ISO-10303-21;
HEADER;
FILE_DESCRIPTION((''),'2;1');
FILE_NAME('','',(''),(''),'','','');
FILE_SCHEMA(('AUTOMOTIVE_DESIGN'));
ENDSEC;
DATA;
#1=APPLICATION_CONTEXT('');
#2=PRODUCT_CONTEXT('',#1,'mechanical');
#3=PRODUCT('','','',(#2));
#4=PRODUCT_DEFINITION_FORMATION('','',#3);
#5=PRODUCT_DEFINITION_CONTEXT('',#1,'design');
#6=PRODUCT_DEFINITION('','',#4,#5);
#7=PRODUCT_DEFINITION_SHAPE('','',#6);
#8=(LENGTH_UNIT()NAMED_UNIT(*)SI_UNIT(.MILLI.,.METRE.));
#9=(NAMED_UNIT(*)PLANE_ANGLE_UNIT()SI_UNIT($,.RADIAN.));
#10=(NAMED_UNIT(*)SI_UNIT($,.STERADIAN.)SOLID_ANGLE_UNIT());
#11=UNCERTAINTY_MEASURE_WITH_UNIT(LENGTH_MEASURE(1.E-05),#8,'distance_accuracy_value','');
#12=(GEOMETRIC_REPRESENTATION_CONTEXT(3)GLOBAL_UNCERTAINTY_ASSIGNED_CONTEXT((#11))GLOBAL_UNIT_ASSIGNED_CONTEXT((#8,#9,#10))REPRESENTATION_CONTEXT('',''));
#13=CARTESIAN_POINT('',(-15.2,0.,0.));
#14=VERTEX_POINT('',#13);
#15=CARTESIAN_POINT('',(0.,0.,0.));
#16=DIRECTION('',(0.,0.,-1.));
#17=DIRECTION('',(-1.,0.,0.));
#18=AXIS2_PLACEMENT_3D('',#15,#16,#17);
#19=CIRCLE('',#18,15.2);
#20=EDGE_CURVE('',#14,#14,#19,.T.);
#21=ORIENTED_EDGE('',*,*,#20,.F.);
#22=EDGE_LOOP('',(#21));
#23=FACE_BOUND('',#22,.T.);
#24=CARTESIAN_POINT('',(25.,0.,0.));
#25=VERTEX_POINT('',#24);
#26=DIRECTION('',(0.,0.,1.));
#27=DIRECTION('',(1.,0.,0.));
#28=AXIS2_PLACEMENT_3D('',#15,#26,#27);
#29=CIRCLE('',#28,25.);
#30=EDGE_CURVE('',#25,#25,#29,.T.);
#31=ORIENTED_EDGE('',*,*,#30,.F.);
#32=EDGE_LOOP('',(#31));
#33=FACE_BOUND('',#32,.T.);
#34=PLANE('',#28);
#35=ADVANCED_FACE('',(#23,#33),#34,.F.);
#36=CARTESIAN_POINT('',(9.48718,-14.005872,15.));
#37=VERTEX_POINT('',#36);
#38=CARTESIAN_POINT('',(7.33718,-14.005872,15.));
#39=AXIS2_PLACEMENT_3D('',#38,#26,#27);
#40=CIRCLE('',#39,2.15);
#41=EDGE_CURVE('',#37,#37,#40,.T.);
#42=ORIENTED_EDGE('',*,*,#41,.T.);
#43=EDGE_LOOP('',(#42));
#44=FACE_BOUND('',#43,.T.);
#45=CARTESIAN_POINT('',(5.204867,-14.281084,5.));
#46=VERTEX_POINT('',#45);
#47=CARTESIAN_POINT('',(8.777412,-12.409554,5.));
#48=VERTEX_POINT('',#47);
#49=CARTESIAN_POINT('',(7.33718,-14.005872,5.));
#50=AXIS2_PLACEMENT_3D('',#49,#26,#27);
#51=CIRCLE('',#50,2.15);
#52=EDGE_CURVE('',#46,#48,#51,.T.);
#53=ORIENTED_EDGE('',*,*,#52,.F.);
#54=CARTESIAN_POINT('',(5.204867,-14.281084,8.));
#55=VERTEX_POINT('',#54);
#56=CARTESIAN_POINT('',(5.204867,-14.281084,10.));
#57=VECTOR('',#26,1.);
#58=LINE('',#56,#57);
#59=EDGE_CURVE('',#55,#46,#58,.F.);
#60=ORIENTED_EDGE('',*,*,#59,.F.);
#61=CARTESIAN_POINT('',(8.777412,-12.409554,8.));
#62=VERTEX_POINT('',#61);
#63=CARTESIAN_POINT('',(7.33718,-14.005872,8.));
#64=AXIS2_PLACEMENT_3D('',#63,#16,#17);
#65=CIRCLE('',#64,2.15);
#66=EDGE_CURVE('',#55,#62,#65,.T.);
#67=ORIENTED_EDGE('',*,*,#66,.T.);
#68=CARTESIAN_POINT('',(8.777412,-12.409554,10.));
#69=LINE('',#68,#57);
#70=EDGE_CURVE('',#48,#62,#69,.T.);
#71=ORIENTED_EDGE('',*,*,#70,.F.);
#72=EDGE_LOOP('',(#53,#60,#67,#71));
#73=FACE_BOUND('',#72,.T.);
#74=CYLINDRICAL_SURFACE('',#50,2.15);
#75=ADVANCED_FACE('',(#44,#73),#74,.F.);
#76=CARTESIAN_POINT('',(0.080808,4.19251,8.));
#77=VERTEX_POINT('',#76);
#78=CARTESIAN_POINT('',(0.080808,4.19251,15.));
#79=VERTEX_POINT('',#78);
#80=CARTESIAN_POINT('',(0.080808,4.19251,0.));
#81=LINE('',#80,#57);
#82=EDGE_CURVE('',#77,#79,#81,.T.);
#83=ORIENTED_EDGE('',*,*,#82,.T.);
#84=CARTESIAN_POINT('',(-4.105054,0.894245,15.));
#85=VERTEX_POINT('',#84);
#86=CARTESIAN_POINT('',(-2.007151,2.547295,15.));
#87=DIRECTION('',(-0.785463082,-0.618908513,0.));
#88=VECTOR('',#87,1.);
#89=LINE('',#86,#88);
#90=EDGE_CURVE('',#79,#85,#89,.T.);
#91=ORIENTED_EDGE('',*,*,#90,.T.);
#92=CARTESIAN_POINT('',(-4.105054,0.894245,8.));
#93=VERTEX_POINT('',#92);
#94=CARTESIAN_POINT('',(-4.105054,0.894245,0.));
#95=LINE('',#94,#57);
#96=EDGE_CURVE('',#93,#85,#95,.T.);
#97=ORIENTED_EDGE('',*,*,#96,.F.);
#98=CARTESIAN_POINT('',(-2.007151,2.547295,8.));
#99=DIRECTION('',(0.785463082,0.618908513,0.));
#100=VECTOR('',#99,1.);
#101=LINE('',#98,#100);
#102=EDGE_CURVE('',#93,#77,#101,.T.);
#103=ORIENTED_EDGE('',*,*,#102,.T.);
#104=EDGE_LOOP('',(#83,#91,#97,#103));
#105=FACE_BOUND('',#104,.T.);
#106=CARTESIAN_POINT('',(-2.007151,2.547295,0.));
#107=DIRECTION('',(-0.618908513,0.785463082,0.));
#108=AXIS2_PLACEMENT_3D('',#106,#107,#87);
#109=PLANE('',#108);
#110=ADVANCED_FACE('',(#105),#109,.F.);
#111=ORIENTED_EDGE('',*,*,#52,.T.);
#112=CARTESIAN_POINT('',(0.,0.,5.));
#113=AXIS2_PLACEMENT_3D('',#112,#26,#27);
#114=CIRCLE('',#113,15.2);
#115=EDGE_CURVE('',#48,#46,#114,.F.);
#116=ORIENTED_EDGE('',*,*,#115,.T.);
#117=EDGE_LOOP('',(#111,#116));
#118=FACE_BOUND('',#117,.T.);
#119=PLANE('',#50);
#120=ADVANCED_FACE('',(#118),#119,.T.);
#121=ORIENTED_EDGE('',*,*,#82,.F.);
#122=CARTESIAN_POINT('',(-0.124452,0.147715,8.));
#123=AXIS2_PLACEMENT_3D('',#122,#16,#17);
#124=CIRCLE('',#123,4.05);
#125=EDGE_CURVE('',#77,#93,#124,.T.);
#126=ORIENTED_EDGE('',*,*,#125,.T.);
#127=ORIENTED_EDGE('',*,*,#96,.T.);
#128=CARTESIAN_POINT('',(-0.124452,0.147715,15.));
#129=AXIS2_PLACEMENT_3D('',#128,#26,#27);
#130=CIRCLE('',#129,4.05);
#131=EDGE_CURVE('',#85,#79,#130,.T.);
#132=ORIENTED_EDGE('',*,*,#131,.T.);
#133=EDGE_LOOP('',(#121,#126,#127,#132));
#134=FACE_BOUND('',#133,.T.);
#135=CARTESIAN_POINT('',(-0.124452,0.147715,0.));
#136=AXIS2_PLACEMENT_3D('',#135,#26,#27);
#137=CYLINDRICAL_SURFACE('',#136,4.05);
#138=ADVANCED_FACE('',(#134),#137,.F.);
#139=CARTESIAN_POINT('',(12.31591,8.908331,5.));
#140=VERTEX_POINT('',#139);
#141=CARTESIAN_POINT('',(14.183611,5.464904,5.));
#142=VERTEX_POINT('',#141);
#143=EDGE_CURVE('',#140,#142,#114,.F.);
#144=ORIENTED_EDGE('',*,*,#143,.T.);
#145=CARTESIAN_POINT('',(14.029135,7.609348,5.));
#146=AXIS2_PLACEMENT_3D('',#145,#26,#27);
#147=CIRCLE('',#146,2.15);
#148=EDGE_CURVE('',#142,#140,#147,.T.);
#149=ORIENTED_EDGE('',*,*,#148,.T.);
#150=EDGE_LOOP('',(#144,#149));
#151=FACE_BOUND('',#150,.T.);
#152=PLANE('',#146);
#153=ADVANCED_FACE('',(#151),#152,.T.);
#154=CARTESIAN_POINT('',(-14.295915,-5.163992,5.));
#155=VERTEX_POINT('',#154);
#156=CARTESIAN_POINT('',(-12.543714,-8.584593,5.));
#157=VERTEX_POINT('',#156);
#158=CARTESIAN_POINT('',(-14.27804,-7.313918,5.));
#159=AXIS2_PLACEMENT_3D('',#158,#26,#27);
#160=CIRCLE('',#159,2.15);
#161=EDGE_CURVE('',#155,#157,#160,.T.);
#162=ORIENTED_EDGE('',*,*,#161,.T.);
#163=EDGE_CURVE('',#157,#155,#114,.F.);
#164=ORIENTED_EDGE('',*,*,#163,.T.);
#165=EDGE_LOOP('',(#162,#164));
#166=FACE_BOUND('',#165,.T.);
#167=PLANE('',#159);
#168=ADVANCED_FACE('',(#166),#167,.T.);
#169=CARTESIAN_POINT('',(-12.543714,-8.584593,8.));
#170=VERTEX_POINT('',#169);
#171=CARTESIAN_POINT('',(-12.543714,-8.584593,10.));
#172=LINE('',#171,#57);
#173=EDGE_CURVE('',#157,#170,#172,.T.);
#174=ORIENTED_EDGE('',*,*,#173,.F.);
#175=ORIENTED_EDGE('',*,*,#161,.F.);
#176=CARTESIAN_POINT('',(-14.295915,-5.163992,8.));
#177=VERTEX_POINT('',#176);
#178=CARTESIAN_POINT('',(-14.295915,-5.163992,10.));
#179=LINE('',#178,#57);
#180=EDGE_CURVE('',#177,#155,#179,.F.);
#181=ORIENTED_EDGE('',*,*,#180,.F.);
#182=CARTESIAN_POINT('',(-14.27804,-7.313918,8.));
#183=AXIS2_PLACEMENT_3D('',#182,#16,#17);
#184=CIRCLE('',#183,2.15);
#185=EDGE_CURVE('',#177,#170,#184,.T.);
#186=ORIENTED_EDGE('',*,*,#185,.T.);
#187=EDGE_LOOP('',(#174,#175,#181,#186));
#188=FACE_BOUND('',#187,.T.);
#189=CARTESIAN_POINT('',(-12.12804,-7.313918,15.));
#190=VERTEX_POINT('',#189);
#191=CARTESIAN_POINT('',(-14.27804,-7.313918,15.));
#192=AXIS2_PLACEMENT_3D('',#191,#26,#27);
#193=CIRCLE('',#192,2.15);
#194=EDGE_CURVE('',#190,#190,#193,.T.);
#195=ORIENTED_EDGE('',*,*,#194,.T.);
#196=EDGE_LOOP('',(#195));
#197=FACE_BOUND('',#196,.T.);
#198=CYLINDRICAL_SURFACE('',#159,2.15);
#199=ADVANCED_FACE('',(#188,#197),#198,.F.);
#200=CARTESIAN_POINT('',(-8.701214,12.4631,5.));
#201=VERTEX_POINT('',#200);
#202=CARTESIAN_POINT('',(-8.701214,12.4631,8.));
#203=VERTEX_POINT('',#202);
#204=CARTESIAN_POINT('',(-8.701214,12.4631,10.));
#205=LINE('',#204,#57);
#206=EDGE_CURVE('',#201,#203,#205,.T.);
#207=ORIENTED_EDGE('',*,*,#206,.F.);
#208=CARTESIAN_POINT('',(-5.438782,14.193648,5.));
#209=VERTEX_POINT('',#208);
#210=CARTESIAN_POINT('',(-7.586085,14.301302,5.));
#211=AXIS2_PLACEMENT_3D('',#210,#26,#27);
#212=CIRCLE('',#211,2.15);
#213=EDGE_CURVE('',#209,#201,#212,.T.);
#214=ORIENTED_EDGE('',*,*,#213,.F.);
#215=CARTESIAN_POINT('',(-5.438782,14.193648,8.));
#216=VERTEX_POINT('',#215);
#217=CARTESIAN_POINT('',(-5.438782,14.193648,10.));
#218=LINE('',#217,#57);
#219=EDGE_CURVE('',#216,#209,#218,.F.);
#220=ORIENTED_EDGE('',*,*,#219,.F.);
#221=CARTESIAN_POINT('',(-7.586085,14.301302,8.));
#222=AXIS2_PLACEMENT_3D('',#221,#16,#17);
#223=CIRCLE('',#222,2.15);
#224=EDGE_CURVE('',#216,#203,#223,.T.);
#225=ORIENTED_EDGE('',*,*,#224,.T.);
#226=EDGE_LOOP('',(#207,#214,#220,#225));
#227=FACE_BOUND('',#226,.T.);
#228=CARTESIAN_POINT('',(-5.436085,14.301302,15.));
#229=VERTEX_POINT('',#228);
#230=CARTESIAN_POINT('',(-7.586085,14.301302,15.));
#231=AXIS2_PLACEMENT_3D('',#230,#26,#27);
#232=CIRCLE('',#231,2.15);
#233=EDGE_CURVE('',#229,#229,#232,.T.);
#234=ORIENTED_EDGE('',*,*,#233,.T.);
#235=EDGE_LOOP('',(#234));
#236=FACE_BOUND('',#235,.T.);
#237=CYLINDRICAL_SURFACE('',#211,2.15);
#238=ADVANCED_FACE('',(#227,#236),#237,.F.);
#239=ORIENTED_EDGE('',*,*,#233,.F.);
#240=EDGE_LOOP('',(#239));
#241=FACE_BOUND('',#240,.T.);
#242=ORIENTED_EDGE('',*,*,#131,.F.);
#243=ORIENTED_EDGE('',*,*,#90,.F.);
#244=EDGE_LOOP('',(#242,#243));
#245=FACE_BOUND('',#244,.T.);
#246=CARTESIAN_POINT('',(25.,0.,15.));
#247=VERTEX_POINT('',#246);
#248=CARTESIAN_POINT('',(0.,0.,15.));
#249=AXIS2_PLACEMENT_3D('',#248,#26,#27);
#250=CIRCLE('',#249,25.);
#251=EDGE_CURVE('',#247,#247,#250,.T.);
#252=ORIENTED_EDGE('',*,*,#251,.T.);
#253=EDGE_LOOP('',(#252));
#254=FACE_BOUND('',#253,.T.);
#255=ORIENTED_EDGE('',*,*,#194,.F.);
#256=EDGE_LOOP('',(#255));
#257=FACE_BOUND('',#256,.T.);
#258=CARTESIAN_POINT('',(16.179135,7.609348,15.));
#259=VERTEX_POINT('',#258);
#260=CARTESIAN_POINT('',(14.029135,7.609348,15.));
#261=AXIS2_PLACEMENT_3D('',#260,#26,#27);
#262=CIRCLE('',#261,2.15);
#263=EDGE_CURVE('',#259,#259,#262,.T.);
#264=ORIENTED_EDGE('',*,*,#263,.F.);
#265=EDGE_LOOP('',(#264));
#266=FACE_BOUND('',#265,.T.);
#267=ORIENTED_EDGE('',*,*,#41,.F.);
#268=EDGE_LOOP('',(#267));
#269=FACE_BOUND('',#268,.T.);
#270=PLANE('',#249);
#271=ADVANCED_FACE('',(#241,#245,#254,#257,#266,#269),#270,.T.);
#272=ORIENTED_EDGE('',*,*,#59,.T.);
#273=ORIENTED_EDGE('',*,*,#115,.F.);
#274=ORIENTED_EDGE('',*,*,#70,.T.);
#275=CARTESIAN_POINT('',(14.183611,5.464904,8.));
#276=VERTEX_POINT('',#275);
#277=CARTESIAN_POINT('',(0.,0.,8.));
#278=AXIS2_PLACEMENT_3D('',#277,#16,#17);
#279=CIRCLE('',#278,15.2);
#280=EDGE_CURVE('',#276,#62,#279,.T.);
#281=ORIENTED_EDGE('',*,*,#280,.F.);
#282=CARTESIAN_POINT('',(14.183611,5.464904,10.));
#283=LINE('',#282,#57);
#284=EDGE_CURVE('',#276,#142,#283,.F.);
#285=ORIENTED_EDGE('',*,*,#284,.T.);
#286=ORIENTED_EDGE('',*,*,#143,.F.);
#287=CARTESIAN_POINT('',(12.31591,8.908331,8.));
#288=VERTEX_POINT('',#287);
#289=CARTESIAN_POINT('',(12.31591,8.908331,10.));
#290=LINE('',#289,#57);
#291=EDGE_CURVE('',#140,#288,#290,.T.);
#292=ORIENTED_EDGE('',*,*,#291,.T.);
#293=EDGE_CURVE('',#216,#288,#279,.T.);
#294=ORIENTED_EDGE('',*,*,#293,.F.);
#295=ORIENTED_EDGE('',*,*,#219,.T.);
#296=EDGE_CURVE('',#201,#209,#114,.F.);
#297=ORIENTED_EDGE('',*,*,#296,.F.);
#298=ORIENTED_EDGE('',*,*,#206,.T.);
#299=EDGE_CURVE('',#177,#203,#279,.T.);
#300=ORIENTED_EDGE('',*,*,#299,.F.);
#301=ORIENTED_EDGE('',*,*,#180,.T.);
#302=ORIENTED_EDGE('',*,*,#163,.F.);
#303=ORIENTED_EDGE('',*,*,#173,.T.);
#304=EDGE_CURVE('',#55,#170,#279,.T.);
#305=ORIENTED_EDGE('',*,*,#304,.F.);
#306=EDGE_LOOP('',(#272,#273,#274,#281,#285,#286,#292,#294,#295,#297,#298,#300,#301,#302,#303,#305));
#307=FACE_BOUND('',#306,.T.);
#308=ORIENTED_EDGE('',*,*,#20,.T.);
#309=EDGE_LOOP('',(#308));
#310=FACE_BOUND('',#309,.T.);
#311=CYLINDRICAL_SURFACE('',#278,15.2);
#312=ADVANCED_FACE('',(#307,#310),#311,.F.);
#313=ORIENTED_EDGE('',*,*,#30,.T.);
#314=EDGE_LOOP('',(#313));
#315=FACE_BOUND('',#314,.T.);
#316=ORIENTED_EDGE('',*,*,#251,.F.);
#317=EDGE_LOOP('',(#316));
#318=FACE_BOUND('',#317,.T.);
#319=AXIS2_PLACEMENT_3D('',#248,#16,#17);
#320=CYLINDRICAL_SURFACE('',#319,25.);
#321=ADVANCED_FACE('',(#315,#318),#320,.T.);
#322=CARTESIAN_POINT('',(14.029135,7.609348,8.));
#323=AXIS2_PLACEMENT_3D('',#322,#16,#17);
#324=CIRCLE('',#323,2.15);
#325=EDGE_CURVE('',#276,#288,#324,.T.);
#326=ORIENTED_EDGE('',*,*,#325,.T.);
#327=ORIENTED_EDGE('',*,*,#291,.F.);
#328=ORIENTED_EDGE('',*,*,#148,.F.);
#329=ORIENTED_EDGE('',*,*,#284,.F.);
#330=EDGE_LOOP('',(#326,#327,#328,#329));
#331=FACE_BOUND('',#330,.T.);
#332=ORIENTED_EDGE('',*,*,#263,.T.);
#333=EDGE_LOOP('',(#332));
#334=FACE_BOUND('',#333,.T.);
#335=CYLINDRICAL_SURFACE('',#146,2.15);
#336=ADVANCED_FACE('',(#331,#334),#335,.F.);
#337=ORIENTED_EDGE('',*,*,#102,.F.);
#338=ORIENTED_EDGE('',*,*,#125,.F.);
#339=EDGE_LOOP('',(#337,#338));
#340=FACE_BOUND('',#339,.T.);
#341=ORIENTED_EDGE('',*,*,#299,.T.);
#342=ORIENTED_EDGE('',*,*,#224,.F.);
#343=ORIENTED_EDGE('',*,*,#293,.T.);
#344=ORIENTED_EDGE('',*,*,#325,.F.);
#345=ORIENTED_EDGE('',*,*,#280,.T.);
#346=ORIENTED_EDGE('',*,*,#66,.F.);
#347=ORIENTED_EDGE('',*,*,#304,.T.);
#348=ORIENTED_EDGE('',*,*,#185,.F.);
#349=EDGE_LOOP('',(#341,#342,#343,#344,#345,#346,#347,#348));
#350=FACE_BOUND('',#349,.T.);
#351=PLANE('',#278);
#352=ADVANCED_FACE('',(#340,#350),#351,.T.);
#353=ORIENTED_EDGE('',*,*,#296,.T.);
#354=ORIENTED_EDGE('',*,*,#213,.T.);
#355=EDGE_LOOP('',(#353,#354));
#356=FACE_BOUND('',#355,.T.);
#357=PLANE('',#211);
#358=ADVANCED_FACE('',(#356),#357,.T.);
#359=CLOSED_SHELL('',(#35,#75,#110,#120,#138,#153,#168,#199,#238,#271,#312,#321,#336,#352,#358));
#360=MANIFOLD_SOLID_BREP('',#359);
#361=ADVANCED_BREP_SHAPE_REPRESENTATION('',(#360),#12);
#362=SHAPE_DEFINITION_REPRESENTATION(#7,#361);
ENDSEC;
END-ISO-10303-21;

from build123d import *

# Parameters (mm, degrees)
SKETCH_1_R          = 25
EXTRUDE_1_DEPTH     = 15
SKETCH_2_R          = 15.2
CUT_EXTRUDE_1_DEPTH = 8
SKETCH_3_R          = 2.15
CUT_EXTRUDE_2_DEPTH = 10
CUT_EXTRUDE_3_DEPTH = 39.405728739


with BuildPart() as part:
    # 草图1 → 凸台-拉伸1 (new body)
    with BuildSketch(Plane.XY):
        Circle(SKETCH_1_R)
    extrude(amount=EXTRUDE_1_DEPTH)

    # 草图2 → 切除-拉伸1 (cut)
    with BuildSketch(Plane(origin=(0, 0, 0), x_dir=(-1, 0, 0), z_dir=(0, 0, -1))):
        Circle(SKETCH_2_R)
    extrude(amount=-CUT_EXTRUDE_1_DEPTH, mode=Mode.SUBTRACT)

    # 草图3 → 切除-拉伸2 (cut)
    with BuildSketch(Plane.XY.offset(15)):
        with Locations((-14.278039738, -7.313917654)):
            Circle(SKETCH_3_R)
        with Locations((-7.586084988, 14.301302484)):
            Circle(SKETCH_3_R)
        with Locations((14.029135151, 7.609347734)):
            Circle(SKETCH_3_R)
        with Locations((7.3371804, -14.005872405)):
            Circle(SKETCH_3_R)
    extrude(amount=-CUT_EXTRUDE_2_DEPTH, mode=Mode.SUBTRACT)

    # 草图4 → 切除-拉伸3 (cut, through all)
    with BuildSketch(Plane.XY.offset(15)):
        with BuildLine():
            ThreePointArc((3.925547706, 0.14771504), (2.811003713, 2.937983491), (0.080807938, 4.192510243))
            Line((0.080807938, 4.192510243), (-4.105054455, 0.894244634))
            ThreePointArc((-4.105054455, 0.894244634), (-0.499326438, -3.88489818), (3.925547706, 0.14771504))
        make_face()
    extrude(amount=-CUT_EXTRUDE_3_DEPTH, mode=Mode.SUBTRACT)


solid = part.part
